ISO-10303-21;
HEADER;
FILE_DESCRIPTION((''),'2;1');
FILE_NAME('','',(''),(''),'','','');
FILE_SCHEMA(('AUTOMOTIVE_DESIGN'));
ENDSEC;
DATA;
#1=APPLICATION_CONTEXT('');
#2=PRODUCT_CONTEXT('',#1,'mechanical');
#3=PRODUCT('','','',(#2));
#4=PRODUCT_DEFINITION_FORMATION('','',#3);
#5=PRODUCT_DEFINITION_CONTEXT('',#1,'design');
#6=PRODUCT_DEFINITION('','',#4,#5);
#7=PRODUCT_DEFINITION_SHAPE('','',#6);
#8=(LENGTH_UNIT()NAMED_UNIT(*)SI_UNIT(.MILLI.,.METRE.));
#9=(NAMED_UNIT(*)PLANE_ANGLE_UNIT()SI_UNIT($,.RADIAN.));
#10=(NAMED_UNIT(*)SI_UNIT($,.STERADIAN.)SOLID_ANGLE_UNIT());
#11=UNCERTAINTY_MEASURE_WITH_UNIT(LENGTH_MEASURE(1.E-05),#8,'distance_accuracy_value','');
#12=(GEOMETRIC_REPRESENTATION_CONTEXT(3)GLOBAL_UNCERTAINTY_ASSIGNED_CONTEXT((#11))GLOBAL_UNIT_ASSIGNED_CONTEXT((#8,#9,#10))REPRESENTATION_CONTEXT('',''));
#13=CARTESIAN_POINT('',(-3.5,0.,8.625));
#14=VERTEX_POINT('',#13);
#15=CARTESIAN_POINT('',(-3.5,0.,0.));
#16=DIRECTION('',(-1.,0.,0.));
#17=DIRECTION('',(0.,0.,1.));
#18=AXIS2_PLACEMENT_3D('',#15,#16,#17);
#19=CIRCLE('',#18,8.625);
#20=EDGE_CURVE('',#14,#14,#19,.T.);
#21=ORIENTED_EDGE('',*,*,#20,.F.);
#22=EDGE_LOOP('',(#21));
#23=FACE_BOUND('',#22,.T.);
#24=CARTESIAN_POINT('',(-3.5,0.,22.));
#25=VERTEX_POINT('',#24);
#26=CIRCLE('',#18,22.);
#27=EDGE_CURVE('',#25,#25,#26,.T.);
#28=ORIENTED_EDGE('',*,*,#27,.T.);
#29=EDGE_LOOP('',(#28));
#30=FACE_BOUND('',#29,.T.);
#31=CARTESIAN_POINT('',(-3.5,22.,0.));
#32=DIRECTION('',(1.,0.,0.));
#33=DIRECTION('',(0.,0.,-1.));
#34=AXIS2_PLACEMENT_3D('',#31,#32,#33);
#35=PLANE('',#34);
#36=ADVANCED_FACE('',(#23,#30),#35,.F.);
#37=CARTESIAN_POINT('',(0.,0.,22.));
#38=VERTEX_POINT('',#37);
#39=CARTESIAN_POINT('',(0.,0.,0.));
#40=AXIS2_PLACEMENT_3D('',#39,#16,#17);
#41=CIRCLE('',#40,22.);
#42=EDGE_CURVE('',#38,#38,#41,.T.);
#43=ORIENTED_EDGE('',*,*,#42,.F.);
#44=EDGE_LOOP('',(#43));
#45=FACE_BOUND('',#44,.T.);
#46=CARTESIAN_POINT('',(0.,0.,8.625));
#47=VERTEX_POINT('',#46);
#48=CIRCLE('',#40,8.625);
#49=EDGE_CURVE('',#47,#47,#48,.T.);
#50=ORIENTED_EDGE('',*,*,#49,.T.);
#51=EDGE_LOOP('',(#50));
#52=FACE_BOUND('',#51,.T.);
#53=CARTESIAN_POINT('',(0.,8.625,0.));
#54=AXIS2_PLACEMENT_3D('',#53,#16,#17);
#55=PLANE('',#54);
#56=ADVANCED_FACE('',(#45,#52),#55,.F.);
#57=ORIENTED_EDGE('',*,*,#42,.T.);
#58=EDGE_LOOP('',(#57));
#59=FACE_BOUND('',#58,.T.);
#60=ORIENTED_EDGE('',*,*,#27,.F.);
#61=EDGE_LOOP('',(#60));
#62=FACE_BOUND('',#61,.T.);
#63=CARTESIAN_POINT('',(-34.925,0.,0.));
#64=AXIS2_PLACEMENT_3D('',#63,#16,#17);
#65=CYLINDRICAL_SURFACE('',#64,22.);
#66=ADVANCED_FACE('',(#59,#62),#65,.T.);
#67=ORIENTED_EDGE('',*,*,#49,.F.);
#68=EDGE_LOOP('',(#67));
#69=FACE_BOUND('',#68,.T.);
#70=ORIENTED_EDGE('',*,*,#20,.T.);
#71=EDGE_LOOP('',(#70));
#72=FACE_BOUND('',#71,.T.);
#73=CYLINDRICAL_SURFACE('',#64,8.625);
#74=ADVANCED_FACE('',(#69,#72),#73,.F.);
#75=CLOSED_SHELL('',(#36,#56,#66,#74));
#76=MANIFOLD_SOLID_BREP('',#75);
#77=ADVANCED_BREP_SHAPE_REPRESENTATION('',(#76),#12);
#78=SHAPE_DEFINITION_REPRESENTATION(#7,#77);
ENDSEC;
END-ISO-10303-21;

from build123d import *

# Parameters (mm, degrees)
SKETCH1_W = 3.5
SKETCH1_H = 13.375


with BuildPart() as part:
    # Sketch1 → Base-Revolve (revolve)
    with BuildSketch(Plane.XY, mode=Mode.PRIVATE) as base_revolve_sk:
        with Locations((-1.75, 15.3125)):
            Rectangle(SKETCH1_W, SKETCH1_H)
    revolve(base_revolve_sk.sketch.rotate(Axis((-34.925, 0, 0), (1, 0, 0)), 90), axis=Axis((-34.925, 0, 0), (1, 0, 0)))


solid = part.part
